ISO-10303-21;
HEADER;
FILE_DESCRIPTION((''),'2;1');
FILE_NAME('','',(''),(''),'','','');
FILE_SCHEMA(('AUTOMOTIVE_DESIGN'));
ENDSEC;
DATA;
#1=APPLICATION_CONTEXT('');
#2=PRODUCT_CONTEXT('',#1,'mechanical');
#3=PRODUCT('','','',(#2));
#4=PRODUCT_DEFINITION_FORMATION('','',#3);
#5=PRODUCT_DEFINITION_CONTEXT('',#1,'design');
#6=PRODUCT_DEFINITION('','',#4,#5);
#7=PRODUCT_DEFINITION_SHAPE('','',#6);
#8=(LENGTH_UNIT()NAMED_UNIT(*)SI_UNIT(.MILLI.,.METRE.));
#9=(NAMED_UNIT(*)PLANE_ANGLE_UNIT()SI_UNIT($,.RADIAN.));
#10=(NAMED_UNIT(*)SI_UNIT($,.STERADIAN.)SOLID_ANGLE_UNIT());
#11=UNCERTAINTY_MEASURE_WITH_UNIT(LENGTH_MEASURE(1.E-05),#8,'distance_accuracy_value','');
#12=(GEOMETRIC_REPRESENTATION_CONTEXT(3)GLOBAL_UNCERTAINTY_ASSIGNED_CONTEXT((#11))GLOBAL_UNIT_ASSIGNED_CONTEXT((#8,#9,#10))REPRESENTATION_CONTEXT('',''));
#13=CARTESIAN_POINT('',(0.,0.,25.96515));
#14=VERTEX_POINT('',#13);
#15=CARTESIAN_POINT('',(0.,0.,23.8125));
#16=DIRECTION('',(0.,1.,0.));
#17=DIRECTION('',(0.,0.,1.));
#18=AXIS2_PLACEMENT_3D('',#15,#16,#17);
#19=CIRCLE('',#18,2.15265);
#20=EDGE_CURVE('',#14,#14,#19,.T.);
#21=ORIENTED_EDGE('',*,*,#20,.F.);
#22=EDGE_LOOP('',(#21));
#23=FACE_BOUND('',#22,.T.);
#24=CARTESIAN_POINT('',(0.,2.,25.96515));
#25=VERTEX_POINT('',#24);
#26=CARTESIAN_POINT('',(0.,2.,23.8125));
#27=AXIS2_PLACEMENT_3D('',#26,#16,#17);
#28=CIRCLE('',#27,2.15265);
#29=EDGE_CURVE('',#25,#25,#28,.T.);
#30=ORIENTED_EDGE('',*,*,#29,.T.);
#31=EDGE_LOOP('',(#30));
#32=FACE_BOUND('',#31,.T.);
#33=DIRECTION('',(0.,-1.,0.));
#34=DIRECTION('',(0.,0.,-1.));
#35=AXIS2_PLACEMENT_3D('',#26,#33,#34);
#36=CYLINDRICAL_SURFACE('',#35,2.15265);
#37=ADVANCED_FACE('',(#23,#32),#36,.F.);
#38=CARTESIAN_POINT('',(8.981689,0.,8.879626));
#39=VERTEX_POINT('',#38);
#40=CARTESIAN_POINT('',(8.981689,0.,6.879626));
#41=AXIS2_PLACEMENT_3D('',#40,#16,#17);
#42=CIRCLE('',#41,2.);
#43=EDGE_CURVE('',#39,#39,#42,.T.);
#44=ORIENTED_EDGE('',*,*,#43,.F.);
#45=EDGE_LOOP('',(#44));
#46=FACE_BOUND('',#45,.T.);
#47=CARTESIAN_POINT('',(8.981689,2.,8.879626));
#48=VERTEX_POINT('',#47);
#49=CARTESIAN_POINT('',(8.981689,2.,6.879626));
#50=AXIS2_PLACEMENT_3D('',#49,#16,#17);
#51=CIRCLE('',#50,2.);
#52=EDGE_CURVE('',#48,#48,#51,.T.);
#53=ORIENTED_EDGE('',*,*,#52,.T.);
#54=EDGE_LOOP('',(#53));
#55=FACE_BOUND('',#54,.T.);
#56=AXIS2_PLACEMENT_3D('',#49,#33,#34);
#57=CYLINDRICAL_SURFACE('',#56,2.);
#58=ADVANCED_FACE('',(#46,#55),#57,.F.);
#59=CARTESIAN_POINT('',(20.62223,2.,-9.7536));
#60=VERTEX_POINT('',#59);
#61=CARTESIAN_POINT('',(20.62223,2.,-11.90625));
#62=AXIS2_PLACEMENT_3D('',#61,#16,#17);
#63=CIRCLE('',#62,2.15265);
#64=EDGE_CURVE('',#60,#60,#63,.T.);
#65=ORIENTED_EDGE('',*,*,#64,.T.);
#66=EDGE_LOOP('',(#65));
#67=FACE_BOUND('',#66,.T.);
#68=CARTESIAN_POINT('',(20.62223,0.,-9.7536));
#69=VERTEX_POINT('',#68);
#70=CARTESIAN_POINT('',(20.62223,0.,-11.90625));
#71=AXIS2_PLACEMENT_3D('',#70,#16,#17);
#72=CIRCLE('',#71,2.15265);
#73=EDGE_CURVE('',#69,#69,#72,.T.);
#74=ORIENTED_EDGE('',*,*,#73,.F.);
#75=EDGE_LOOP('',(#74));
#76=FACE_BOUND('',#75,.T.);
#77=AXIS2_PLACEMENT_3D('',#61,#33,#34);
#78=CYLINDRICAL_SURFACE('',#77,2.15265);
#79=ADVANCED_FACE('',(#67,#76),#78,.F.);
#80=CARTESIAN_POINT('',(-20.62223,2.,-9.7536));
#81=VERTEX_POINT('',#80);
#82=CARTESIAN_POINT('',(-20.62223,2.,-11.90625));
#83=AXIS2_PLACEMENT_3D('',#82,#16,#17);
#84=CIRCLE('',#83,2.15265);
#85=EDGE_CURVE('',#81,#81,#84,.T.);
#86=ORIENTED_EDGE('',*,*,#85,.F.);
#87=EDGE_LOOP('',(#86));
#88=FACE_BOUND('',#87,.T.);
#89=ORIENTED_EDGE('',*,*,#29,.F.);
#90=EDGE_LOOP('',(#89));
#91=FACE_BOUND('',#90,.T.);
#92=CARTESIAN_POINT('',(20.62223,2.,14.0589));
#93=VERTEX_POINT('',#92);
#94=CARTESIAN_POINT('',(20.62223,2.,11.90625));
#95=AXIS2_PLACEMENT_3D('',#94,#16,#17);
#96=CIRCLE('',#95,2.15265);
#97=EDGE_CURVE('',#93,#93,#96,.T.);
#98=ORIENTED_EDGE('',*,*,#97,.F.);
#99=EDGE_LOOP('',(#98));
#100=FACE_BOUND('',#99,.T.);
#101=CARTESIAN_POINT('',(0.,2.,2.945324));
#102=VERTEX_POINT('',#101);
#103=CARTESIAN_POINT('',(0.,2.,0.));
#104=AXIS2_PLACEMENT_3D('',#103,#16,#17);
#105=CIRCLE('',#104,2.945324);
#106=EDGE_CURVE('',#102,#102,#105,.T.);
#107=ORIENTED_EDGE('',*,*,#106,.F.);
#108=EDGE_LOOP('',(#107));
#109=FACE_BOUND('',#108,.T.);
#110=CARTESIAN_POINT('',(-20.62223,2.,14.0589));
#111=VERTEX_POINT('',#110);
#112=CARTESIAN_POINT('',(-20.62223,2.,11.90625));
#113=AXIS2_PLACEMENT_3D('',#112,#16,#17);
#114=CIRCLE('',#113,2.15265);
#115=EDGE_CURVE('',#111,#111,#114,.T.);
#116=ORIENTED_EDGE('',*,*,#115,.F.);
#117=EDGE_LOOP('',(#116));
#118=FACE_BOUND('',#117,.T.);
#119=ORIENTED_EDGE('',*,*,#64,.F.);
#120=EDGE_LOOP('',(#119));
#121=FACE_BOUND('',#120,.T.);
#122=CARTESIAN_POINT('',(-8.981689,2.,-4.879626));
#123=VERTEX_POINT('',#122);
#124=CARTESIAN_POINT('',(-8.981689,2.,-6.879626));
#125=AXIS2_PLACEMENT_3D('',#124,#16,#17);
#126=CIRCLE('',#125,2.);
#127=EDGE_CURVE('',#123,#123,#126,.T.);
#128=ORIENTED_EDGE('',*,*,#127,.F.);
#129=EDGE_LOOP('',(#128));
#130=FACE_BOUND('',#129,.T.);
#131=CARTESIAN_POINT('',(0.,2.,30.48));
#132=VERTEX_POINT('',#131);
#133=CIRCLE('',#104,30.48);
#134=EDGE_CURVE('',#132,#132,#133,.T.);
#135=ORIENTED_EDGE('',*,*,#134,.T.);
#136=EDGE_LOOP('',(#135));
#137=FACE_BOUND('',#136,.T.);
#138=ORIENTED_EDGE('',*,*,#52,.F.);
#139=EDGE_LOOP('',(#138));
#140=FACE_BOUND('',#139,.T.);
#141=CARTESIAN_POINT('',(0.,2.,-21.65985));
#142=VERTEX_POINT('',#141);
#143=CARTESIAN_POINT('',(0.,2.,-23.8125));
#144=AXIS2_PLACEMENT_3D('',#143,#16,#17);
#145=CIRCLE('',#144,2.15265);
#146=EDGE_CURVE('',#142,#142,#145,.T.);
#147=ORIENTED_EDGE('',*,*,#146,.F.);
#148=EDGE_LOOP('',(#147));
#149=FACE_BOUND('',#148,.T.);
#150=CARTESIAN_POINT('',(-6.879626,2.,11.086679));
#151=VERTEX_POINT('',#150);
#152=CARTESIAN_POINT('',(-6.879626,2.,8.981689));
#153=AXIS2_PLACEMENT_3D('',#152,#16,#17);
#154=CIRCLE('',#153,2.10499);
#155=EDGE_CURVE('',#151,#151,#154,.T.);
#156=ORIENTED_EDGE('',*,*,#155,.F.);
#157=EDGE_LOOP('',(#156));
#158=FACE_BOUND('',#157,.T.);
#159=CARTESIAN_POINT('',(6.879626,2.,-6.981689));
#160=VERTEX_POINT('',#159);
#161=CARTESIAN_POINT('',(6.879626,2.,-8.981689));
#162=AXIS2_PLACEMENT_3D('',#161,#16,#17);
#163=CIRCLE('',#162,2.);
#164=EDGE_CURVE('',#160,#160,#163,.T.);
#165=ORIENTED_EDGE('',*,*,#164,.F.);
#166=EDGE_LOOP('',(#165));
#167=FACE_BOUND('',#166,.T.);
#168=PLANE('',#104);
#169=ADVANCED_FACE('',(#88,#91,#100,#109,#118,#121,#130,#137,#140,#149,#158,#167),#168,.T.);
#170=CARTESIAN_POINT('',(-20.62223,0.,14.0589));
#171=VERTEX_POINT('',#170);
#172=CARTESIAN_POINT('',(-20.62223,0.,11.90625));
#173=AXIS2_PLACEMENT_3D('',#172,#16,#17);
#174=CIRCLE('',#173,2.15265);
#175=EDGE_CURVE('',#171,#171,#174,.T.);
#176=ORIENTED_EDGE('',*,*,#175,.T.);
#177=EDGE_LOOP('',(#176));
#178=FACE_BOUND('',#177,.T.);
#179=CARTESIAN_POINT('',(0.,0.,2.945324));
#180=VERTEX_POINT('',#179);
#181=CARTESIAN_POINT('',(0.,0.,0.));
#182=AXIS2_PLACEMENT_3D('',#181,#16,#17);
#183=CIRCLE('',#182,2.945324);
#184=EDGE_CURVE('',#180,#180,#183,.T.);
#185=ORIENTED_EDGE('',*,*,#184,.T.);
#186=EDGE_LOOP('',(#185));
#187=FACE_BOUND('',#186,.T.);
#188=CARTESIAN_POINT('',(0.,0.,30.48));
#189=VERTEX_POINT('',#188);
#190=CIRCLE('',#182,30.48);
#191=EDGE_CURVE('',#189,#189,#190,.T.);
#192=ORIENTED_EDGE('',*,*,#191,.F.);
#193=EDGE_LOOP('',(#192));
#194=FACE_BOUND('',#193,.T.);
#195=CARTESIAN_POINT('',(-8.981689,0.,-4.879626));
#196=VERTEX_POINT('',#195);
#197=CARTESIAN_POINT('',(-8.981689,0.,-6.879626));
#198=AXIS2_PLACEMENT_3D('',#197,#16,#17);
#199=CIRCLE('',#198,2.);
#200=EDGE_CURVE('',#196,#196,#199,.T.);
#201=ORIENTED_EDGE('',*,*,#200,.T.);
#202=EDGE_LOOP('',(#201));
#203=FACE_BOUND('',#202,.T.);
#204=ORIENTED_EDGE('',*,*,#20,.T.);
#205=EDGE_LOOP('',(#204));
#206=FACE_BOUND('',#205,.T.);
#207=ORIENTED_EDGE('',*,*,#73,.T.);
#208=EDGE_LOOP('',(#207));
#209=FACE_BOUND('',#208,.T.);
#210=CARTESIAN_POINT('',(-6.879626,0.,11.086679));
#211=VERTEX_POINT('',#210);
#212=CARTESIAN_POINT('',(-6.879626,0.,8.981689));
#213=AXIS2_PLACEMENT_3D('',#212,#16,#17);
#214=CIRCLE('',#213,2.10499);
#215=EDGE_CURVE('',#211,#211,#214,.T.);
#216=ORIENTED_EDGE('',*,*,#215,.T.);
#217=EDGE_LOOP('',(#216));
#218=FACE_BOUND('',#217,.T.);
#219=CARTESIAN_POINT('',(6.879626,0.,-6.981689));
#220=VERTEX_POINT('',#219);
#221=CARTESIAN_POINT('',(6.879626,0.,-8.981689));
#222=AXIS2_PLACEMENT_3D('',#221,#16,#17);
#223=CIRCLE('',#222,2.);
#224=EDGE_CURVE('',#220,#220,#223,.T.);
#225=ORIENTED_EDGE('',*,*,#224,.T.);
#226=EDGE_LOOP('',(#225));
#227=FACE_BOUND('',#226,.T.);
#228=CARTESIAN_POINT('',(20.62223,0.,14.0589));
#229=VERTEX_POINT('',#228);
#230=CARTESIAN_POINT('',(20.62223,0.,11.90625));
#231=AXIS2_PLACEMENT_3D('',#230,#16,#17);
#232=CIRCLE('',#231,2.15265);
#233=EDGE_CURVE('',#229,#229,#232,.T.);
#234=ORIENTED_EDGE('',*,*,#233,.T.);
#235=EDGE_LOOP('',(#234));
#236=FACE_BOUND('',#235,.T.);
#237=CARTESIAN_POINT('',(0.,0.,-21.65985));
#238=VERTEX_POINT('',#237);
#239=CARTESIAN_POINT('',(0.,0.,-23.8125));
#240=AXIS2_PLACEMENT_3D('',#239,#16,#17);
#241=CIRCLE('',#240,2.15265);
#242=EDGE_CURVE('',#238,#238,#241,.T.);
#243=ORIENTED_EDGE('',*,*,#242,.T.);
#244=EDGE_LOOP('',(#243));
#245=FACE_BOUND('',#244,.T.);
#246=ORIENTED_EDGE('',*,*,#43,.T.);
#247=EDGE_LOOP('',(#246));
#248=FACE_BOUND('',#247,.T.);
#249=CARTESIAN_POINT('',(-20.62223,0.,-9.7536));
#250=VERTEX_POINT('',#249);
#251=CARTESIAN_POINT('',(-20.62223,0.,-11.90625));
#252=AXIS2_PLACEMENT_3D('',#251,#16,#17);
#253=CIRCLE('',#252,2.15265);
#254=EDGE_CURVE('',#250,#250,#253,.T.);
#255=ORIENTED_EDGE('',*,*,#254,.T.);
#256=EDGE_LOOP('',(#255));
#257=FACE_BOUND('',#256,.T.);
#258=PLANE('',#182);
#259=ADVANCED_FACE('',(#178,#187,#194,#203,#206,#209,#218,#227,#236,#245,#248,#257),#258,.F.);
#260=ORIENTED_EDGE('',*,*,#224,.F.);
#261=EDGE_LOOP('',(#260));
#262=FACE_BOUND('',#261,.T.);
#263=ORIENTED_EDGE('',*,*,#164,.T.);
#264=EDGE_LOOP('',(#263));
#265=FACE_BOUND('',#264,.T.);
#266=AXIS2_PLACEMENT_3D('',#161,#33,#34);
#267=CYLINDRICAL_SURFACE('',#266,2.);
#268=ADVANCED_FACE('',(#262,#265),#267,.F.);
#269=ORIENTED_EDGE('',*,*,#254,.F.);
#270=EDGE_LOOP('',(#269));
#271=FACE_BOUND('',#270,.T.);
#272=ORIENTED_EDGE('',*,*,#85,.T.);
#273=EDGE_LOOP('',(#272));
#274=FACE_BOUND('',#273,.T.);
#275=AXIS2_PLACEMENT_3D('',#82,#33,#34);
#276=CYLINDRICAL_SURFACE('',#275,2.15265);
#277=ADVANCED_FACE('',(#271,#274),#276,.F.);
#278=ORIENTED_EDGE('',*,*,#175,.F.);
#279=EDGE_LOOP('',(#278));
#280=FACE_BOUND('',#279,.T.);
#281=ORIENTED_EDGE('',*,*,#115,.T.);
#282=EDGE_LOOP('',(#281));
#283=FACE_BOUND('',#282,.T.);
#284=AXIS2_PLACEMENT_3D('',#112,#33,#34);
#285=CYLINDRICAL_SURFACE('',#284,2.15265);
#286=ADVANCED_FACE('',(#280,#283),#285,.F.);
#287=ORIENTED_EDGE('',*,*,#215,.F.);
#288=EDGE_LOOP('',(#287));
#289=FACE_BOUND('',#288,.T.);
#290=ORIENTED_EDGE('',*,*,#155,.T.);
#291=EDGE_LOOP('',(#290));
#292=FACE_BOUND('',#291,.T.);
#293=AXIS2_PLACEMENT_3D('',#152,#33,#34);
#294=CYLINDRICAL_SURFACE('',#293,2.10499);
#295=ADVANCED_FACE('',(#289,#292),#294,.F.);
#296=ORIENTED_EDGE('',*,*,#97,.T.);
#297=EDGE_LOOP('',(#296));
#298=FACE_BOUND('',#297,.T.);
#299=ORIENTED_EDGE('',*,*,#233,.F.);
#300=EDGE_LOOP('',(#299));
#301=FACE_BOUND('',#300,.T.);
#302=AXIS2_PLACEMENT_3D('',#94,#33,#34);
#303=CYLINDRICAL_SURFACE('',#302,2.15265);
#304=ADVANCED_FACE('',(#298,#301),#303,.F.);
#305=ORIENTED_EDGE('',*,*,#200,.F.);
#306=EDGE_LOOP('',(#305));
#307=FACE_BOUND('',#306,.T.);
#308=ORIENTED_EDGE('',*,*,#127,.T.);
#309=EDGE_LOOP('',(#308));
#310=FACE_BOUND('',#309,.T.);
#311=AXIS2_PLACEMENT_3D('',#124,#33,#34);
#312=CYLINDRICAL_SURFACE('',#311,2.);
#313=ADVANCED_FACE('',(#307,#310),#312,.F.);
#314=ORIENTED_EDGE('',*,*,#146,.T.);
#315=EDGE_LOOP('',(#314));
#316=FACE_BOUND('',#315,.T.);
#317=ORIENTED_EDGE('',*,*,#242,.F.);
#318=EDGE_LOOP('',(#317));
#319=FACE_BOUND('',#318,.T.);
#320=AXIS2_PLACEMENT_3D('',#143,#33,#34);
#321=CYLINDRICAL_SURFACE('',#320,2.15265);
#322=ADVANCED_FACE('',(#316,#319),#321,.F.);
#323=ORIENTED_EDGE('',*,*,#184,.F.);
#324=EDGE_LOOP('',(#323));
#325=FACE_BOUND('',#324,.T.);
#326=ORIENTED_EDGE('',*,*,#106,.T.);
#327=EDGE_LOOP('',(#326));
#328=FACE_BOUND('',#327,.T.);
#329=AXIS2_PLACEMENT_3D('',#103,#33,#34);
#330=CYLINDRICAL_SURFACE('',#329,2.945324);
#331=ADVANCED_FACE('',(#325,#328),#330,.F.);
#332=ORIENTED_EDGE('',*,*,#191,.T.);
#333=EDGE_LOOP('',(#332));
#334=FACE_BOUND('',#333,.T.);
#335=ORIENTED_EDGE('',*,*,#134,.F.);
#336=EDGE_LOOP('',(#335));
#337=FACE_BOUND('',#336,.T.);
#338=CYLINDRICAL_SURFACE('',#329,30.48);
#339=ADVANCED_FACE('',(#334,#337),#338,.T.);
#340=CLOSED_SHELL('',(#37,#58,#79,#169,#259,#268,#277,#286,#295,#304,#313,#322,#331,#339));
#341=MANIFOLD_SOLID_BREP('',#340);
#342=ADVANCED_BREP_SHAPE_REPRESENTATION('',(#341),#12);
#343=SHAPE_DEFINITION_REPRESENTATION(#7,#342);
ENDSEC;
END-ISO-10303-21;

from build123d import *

# Parameters (mm, degrees)
SKETCH1_R           = 30.48
SKETCH1_R_2         = 2.15265
SKETCH1_R_3         = 2.9453237
SKETCH1_R_4         = 2
SKETCH1_R_5         = 2.104990058
BOSS_EXTRUDE1_DEPTH = 2


with BuildPart() as part:
    # Sketch1 → Boss-Extrude1 (new body)
    with BuildSketch(Plane(origin=(0, 0, 0), x_dir=(1, 0, 0), z_dir=(0, 1, 0))):
        with Locations(Location((0, 0, 0), (0, 0, 270))):
            Circle(SKETCH1_R)
        with Locations(Location((0, -23.8125, 0), (0, 0, 270))):
            Circle(SKETCH1_R_2, mode=Mode.SUBTRACT)
        with Locations(Location((20.622229928, -11.90625, 0), (0, 0, 270))):
            Circle(SKETCH1_R_2, mode=Mode.SUBTRACT)
        with Locations(Location((20.622229928, 11.90625, 0), (0, 0, 270))):
            Circle(SKETCH1_R_2, mode=Mode.SUBTRACT)
        with Locations(Location((0, 23.8125, 0), (0, 0, 270))):
            Circle(SKETCH1_R_2, mode=Mode.SUBTRACT)
        with Locations(Location((-20.622229928, 11.90625, 0), (0, 0, 270))):
            Circle(SKETCH1_R_2, mode=Mode.SUBTRACT)
        with Locations(Location((-20.622229928, -11.90625, 0), (0, 0, 270))):
            Circle(SKETCH1_R_2, mode=Mode.SUBTRACT)
        with Locations(Location((0, 0, 0), (0, 0, 270))):
            Circle(SKETCH1_R_3, mode=Mode.SUBTRACT)
        with Locations(Location((-8.981689404, 6.879626113, 0), (0, 0, 270))):
            Circle(SKETCH1_R_4, mode=Mode.SUBTRACT)
        with Locations(Location((6.879626113, 8.981689404, 0), (0, 0, 270))):
            Circle(SKETCH1_R_4, mode=Mode.SUBTRACT)
        with Locations(Location((8.981689404, -6.879626113, 0), (0, 0, 270))):
            Circle(SKETCH1_R_4, mode=Mode.SUBTRACT)
        with Locations(Location((-6.879626113, -8.981689404, 0), (0, 0, 270))):
            Circle(SKETCH1_R_5, mode=Mode.SUBTRACT)
    extrude(amount=BOSS_EXTRUDE1_DEPTH)


solid = part.part
